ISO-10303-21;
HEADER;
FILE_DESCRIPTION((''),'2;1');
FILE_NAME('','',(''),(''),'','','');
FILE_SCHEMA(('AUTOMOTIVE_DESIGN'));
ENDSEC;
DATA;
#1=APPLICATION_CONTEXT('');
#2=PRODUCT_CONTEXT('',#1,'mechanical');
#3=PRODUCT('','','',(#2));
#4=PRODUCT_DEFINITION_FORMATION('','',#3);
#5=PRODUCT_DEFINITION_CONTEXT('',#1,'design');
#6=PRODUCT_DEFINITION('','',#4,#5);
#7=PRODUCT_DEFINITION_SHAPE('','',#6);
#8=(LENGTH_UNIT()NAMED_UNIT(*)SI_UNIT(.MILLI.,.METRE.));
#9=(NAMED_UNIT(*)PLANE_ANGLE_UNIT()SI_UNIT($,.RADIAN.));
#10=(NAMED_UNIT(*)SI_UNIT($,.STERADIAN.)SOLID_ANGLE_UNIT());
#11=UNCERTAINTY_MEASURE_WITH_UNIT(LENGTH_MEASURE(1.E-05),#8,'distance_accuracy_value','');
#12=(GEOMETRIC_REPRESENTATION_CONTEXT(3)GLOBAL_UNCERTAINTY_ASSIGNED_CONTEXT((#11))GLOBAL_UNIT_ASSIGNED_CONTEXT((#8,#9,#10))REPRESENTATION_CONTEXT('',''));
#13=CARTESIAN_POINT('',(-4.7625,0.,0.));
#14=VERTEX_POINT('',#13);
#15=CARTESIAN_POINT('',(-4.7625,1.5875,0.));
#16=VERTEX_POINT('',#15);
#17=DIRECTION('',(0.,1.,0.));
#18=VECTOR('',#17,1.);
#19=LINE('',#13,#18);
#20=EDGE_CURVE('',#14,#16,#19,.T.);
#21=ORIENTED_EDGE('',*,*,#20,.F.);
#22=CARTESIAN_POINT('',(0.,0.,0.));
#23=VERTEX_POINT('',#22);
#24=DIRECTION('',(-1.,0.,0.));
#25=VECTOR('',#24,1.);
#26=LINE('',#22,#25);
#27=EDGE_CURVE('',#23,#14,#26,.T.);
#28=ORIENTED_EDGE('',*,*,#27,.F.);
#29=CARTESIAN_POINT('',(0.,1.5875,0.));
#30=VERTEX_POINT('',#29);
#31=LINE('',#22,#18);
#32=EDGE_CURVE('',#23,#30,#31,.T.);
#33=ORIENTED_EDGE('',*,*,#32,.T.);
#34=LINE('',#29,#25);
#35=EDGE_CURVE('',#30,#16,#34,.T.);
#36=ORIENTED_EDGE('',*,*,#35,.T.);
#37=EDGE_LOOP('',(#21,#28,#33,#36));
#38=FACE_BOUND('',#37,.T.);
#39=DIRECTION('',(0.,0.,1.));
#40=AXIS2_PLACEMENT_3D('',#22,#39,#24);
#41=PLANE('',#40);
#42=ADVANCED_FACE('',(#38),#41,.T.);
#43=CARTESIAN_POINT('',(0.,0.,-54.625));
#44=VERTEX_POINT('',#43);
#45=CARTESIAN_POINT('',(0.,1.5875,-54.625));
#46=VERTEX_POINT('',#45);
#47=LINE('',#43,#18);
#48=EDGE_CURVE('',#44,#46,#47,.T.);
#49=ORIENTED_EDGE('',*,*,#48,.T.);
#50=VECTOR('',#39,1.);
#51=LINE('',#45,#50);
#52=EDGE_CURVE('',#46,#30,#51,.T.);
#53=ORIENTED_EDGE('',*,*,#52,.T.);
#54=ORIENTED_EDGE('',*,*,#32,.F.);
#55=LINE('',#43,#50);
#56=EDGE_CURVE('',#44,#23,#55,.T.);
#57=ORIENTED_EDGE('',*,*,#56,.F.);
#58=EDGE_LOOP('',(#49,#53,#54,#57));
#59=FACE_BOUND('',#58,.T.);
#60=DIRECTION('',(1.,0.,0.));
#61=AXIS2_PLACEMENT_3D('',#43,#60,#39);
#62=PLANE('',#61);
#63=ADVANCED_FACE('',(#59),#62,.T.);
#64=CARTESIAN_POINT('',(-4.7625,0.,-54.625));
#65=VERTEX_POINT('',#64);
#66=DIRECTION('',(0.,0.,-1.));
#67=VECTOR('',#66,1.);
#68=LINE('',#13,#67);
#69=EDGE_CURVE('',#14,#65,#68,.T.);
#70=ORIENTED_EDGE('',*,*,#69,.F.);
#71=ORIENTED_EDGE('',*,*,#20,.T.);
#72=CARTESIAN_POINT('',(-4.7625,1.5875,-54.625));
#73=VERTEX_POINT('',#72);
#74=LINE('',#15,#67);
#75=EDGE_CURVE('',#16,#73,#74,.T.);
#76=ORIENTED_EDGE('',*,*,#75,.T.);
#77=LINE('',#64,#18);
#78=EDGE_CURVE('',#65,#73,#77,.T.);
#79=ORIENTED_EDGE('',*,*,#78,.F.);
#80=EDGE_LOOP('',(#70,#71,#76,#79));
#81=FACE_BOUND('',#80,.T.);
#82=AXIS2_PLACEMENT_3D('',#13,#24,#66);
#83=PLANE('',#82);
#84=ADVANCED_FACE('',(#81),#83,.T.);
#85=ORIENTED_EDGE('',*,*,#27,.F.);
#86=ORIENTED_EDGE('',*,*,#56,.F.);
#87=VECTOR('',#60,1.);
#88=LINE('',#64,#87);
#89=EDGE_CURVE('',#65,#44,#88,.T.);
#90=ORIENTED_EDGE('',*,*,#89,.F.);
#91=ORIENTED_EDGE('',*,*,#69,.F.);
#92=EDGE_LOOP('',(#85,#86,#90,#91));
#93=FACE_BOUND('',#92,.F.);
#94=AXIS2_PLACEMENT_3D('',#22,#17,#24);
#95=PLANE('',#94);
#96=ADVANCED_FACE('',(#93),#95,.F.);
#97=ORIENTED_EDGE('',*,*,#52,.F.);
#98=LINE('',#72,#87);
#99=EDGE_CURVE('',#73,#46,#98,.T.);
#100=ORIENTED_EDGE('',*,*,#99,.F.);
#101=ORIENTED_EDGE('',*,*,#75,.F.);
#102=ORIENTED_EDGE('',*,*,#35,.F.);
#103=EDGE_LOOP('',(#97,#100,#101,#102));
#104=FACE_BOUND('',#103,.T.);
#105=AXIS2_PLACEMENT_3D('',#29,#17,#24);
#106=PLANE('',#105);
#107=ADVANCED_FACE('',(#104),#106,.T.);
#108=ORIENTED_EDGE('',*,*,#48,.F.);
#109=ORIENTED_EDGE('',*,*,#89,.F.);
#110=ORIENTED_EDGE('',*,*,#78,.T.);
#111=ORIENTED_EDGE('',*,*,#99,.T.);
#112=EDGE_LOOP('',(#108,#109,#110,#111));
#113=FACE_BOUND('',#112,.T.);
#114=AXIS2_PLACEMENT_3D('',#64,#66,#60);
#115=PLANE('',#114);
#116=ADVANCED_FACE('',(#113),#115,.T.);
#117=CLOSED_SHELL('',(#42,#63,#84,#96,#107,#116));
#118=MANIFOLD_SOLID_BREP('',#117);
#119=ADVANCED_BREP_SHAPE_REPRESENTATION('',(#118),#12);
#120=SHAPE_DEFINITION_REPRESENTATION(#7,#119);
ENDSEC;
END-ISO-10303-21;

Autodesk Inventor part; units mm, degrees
ref_plane "YZ Plane" through (0, 0, 0) normal (1, 0, 0) x (0, 1, 0)
ref_plane "XZ Plane" through (0, 0, 0) normal (0, 1, 0) x (-1, 0, 0)
ref_plane "XY Plane" through (0, 0, 0) normal (0, 0, 1) x (1, 0, 0)
sketch "Sketch1" plane through (0, 0, 0) normal (0, 1, 0) x (-1, 0, 0)
  line L0 (0, 0) -> (4.7625, 0)
  line L1 (4.7625, 0) -> (4.7625, -54.625)
  line L2 (4.7625, -54.625) -> (0, -54.625)
  line L3 (0, -54.625) -> (0, 0)
  dimension "d0" = 4.7625
  dimension "d1" = 54.625
extrude "Extrusion1" add sketch "Sketch1" along normal blind 1.5875
equation "\"d0\" = foamPadWidth"
equation "\"d1\" = overallLength"
equation "\"d2\" = foamPadThick"
equation "\"foamPadWidth\" = 4.7625"
equation "\"overallLength\" = 54.625"
equation "\"foamPadThick\" = 1.5875"
properties part number "padding_strip" material "Rubber, Silicone"
